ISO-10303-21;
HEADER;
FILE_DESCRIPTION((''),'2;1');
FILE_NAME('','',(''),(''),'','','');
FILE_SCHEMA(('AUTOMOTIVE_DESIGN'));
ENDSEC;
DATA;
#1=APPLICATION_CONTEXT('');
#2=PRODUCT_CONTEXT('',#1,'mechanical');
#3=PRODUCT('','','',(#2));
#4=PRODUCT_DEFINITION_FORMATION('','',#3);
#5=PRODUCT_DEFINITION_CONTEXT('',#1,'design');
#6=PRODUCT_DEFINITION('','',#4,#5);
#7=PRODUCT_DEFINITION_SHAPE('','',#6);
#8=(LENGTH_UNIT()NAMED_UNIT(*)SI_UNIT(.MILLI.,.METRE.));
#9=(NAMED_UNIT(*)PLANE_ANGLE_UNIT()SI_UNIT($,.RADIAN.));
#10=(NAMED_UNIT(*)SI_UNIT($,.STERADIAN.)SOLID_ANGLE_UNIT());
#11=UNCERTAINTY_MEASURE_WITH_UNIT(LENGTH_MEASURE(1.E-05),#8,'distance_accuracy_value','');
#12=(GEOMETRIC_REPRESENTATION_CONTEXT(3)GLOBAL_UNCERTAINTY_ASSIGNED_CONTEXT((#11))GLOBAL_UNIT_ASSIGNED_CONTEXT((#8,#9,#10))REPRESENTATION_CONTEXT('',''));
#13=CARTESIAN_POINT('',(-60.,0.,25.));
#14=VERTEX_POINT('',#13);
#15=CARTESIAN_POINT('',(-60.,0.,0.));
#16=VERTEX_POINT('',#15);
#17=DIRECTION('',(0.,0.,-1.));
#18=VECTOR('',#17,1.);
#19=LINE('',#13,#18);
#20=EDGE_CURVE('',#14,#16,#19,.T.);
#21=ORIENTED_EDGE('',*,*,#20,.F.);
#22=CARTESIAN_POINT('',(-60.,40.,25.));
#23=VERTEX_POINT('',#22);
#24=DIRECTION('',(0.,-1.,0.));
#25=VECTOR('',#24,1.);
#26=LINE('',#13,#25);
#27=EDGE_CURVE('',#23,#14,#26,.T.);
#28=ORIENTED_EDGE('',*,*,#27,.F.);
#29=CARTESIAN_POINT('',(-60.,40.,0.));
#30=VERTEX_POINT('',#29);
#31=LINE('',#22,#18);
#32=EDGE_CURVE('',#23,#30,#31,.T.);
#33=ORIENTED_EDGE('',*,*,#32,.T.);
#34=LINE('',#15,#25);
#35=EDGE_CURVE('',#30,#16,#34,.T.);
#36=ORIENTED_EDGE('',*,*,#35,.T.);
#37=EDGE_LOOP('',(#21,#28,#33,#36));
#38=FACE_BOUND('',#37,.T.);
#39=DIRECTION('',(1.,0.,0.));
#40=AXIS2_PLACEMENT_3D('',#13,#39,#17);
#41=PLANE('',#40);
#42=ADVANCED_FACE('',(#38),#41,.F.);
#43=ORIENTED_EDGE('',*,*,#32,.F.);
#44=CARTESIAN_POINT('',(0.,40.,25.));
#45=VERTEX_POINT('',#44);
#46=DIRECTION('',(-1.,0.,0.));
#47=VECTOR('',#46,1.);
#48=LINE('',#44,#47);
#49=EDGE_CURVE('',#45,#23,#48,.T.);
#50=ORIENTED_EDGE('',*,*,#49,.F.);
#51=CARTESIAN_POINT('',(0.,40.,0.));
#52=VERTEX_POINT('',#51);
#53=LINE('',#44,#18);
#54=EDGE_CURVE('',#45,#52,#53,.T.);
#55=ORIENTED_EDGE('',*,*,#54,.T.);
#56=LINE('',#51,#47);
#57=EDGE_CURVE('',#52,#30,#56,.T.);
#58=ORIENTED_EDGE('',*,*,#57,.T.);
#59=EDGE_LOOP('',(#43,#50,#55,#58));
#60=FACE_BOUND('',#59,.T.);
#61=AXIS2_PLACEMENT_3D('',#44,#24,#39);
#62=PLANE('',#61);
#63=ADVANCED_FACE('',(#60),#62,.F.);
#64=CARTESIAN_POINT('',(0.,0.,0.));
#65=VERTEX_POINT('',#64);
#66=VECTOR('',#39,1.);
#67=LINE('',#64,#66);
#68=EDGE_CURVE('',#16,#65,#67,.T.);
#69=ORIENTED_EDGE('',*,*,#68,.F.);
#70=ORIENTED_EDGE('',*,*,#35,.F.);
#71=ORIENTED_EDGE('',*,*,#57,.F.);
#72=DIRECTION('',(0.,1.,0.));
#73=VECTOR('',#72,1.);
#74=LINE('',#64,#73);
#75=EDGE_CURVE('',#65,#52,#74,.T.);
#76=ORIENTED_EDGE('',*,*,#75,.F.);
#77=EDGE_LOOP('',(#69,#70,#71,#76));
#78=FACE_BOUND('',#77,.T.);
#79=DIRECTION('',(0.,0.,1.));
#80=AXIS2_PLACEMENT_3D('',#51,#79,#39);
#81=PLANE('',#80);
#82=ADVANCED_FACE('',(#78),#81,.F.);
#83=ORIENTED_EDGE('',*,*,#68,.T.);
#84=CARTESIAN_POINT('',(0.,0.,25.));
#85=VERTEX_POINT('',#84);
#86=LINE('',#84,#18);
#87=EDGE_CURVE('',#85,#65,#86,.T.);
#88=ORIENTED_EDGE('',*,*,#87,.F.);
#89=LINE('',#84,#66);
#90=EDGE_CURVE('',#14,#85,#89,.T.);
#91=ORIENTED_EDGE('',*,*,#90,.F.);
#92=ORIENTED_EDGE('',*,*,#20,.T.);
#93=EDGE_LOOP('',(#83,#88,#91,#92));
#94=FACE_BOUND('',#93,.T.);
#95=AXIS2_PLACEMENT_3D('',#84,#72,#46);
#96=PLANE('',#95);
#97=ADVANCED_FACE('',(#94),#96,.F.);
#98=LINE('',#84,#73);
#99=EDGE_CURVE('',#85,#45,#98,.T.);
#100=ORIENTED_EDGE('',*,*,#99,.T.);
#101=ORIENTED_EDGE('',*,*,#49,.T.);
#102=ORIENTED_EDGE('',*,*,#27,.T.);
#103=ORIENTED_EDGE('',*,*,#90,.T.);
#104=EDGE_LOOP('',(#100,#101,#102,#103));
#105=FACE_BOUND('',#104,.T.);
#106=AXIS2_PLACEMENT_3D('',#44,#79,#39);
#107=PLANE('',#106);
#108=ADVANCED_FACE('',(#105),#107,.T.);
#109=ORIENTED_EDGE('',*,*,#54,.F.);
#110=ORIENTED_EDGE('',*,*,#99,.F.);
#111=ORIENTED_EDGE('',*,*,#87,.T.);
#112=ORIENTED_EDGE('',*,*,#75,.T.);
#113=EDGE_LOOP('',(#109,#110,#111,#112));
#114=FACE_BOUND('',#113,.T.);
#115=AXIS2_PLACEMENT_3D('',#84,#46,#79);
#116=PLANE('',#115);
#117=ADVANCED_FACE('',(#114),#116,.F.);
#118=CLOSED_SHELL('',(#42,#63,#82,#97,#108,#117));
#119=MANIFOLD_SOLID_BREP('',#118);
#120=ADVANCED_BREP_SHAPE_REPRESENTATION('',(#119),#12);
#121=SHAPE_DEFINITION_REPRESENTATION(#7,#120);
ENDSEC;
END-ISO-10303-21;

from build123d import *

# Parameters (mm, degrees)
ESQUISSE1_W      = 60
ESQUISSE1_H      = 40
EXTRUSION1_DEPTH = 25


with BuildPart() as part:
    # Esquisse1 → Extrusion1 (new body)
    with BuildSketch(Plane.XY):
        with Locations((-30, 20)):
            Rectangle(ESQUISSE1_W, ESQUISSE1_H)
    extrude(amount=EXTRUSION1_DEPTH)


solid = part.part
